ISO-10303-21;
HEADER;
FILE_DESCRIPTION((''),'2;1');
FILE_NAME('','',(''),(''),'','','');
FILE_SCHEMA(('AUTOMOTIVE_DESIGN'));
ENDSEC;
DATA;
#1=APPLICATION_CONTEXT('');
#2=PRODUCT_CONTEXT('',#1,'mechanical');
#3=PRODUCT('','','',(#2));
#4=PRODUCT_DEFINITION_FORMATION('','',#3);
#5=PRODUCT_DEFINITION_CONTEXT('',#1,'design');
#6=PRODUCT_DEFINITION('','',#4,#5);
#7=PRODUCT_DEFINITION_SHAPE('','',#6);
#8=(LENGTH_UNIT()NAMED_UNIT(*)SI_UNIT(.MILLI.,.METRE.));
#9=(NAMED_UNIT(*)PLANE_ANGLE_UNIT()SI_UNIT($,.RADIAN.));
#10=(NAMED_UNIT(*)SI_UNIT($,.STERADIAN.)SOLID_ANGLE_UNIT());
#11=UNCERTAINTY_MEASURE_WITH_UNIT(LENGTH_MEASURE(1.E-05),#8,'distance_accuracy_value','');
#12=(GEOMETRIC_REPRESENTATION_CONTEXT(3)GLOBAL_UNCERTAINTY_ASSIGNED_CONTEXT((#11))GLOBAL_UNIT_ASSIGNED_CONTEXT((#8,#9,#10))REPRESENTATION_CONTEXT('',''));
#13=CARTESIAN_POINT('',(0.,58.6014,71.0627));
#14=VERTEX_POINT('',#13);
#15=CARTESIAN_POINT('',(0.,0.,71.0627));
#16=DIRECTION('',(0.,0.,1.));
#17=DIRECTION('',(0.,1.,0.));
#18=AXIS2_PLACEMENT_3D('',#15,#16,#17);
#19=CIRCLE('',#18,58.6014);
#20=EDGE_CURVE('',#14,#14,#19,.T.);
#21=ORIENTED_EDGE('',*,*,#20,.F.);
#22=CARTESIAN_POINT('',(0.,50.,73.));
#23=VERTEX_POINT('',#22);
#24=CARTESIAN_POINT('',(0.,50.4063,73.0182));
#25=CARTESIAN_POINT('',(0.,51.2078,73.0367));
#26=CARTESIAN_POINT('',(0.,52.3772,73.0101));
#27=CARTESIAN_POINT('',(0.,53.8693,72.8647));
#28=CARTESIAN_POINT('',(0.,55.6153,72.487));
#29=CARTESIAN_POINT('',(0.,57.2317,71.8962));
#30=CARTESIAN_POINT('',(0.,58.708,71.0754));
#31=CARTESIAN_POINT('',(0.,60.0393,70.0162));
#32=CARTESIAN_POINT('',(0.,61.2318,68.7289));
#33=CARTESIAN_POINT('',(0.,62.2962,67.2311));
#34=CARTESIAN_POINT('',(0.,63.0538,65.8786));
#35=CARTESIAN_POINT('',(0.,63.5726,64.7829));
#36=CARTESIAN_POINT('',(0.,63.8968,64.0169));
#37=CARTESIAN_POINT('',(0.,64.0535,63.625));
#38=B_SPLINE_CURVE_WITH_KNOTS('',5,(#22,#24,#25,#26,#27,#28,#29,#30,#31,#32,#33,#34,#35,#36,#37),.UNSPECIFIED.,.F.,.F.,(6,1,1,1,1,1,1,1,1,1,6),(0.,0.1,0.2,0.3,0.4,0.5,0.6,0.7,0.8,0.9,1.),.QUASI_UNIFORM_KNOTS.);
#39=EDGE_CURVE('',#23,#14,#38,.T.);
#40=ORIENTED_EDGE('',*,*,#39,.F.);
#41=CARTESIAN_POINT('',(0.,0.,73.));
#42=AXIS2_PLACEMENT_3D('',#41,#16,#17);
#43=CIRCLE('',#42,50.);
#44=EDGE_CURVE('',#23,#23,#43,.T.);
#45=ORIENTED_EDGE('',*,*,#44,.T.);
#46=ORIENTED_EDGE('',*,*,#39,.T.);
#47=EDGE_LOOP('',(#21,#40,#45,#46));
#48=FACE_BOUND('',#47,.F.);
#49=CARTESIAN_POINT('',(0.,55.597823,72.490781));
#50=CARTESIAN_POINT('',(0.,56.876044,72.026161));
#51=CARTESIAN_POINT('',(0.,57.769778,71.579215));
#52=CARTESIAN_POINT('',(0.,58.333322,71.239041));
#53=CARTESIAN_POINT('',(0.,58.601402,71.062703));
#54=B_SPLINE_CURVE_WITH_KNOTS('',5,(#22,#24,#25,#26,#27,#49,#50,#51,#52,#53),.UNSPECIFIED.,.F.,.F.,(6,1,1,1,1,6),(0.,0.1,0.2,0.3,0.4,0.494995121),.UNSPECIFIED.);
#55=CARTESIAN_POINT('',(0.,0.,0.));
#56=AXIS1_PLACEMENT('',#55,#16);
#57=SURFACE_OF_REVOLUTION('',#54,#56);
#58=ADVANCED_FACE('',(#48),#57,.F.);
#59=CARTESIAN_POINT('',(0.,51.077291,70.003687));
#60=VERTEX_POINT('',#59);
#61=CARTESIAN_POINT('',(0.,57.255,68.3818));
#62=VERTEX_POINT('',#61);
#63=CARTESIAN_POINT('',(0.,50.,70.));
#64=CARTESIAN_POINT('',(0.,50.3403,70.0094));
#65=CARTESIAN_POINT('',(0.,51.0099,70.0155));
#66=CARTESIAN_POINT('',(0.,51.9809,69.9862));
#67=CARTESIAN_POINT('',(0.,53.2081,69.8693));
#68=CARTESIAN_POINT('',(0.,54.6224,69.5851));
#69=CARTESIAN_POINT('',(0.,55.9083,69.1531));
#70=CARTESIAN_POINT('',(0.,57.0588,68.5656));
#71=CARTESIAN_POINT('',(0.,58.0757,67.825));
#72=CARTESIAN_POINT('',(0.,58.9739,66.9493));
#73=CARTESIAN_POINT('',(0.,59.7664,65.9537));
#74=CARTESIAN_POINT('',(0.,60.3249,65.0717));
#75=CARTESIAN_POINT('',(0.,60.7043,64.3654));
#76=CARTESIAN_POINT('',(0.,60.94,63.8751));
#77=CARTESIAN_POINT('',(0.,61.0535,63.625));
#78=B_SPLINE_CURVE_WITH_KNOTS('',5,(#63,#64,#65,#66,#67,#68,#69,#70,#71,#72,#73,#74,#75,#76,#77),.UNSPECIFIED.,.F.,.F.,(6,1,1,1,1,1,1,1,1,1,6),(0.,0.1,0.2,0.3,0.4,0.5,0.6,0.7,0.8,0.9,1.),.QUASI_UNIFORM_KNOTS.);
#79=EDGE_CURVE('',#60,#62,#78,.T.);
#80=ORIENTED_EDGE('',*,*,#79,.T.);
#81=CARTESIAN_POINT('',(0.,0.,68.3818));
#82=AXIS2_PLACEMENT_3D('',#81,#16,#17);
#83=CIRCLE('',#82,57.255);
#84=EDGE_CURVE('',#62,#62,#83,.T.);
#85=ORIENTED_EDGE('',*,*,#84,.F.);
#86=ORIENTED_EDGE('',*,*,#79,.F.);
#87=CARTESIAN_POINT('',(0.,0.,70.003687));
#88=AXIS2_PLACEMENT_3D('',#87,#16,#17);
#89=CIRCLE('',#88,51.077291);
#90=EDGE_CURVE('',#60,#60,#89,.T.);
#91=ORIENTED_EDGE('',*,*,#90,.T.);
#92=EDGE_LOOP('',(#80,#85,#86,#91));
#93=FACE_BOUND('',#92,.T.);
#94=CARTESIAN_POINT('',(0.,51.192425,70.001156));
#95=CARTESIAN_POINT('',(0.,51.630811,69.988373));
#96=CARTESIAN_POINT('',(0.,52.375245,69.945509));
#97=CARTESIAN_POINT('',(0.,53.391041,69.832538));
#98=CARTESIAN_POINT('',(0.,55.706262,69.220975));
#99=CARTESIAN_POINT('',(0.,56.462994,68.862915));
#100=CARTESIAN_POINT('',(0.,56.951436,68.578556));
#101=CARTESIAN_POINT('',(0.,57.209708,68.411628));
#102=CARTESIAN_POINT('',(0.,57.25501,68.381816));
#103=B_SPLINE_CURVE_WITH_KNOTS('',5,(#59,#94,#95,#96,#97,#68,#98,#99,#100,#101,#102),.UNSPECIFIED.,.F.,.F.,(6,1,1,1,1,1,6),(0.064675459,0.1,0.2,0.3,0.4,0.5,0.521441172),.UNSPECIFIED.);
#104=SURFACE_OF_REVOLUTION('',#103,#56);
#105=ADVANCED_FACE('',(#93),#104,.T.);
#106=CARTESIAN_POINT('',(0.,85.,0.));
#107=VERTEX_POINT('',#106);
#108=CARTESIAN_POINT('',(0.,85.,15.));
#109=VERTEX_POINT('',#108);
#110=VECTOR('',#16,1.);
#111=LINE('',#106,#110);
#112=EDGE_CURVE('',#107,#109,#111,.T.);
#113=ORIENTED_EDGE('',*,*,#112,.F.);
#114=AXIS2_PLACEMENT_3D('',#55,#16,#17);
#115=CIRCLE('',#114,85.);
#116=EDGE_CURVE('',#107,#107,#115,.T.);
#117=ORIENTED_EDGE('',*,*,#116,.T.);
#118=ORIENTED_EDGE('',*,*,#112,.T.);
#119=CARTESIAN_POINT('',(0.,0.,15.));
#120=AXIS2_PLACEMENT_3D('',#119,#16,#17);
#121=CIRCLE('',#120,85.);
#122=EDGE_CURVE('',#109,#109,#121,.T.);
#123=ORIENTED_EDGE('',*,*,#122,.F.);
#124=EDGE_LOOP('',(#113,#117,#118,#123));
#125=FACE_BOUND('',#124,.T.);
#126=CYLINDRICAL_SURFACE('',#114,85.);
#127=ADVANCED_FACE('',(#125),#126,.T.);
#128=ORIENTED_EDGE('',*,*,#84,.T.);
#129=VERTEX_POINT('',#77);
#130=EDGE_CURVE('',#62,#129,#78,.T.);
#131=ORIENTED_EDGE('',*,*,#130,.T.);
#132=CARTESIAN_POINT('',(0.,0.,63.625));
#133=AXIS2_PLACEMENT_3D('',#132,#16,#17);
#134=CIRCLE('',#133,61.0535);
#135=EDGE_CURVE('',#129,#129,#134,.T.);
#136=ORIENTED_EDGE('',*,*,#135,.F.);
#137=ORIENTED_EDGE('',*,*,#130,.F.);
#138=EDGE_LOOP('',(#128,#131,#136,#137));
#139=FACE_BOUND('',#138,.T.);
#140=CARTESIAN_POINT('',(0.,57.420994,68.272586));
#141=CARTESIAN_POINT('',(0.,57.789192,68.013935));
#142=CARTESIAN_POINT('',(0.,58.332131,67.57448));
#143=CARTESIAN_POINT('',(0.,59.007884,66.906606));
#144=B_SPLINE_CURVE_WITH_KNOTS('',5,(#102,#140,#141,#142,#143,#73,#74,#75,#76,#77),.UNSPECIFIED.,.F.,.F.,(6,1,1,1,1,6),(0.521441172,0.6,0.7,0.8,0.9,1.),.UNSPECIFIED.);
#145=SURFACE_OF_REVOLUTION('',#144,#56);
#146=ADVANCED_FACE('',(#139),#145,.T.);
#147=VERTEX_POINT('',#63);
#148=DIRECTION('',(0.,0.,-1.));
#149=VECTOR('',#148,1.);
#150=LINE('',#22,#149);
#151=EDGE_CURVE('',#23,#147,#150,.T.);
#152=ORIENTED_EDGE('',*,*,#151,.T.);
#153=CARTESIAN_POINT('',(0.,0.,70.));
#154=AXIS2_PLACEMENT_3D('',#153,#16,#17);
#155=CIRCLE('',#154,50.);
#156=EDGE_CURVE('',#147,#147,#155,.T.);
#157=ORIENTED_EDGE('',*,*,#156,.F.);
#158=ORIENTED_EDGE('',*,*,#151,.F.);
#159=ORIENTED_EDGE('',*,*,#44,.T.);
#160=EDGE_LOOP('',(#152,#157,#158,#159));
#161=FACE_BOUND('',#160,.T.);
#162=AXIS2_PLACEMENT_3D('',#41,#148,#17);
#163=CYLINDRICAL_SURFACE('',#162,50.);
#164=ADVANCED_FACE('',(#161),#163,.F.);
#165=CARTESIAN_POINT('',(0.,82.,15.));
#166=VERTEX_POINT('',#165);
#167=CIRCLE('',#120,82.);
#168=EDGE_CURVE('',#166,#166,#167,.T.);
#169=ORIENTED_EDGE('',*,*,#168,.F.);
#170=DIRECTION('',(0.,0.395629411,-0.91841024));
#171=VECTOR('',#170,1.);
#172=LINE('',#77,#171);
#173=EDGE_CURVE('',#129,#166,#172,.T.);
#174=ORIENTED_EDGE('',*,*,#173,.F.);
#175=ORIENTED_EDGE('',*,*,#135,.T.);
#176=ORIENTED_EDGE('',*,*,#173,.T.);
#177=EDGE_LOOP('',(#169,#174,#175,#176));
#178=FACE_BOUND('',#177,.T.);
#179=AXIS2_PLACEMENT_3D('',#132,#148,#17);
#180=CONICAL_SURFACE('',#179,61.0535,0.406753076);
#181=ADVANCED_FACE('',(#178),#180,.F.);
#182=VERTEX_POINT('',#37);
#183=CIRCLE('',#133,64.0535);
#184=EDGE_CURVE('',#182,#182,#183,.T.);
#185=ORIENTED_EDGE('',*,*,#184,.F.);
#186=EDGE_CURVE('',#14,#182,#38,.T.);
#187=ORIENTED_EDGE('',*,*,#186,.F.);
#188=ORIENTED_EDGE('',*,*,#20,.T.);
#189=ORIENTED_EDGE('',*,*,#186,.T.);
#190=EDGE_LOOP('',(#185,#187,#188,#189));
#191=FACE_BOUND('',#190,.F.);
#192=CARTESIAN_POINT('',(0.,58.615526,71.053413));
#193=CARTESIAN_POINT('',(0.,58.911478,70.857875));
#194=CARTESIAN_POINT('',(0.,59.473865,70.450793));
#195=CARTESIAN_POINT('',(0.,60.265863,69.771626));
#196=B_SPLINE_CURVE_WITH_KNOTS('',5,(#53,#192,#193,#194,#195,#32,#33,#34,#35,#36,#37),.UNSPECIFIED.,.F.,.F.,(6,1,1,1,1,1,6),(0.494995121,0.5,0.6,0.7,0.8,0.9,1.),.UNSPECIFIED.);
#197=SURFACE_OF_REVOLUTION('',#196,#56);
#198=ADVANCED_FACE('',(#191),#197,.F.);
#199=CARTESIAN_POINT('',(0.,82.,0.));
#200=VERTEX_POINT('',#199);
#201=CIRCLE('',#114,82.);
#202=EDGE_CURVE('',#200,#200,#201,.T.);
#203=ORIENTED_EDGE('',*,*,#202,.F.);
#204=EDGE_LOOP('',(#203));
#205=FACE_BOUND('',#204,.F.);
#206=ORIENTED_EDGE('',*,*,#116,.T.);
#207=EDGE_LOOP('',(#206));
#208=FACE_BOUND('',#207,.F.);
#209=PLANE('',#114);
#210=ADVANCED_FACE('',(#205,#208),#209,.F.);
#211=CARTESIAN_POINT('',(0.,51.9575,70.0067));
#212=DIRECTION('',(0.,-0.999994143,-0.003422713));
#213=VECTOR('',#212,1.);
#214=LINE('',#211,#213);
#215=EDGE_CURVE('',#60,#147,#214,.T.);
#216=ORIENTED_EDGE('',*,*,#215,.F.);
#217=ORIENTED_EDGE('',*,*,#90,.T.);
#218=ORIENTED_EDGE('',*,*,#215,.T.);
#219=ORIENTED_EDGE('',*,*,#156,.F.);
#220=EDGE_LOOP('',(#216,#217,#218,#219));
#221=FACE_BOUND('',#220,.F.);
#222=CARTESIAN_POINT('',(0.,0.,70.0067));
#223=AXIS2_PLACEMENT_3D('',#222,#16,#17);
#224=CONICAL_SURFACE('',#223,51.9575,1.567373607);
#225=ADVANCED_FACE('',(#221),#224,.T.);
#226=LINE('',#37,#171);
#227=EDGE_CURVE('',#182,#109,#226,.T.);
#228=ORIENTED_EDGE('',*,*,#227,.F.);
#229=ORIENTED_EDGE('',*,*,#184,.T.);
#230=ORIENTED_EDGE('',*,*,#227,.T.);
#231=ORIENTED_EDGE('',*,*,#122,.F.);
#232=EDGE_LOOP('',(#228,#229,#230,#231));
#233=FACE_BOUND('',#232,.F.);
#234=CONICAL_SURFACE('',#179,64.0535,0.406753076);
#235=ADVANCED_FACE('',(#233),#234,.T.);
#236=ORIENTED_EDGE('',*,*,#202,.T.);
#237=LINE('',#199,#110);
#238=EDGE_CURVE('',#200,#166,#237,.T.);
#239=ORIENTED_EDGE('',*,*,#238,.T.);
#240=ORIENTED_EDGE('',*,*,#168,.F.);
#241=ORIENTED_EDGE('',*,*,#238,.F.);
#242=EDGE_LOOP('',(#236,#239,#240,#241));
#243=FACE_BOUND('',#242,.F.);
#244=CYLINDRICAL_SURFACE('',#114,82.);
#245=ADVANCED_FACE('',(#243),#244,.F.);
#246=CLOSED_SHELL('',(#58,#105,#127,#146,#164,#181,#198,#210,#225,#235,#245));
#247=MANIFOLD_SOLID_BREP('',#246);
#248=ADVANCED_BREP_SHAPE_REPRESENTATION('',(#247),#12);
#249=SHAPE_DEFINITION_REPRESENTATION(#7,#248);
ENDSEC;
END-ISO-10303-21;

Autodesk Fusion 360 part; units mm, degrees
sketch "Sketch1" plane through (0, 0, 0) normal (1, 0, 0) x (0, 1, 0)
  line L0 (85, 0) -> (85, 15)
  line L1 (85, 0) -> (82, 0)
  line L2 (82, 0) -> (82, 15)
  line L3 (0, 0) -> (0, 73)
  line L4 (50, 73) -> (50, 70)
  spline S0 degree 5 poles (50, 73) (50.4063, 73.0182) (51.2078, 73.0367) (52.3772, 73.0101) (53.8693, 72.8647) (55.6153, 72.487) (57.2317, 71.8962) (58.708, 71.0754) (60.0393, 70.0162) (61.2318, 68.7289) (62.2962, 67.2311) (63.0538, 65.8786) (63.5726, 64.7829) (63.8968, 64.0169) (64.0535, 63.625) knots 0 0 0 0 0 0 0.1 0.2 0.3 0.4 0.5 0.6 0.7 0.8 0.9 1 1 1 1 1 1
  line L5 (61.0535, 63.625) -> (82, 15)
  line L6 (51.9575, 70.0067) -> (50, 70)
  spline S1 degree 5 poles (50, 70) (50.3403, 70.0094) (51.0099, 70.0155) (51.9809, 69.9862) (53.2081, 69.8693) (54.6224, 69.5851) (55.9083, 69.1531) (57.0588, 68.5656) (58.0757, 67.825) (58.9739, 66.9493) (59.7664, 65.9537) (60.3249, 65.0717) (60.7043, 64.3654) (60.94, 63.8751) (61.0535, 63.625) knots 0 0 0 0 0 0 0.1 0.2 0.3 0.4 0.5 0.6 0.7 0.8 0.9 1 1 1 1 1 1
  line L7 (58.6014, 71.0627) -> (57.255, 68.3818)
  line L8 (55.9864, 69.2167) -> (58.5237, 67.5469)
  line L9 (64.0535, 63.625) -> (85, 15)
  line L10 (61.0535, 63.625) -> (64.0535, 63.625)
  point P0 (58.6014, 71.0627)
  point P1 (57.255, 68.3818)
  dimension "d21" = 3
  dimension "d23" = 15
  dimension "d24" = 85
  dimension "d38" = 73
  dimension "d41" = 3
  dimension "d46" = 3
  dimension "d48" = 3
sketch "Sketch2" plane through (0, 0, 0) normal (0, 0, 1) x (1, 0, 0)
revolve "Revolve3" add sketch "Sketch1" angle 360 about axis through (0, 0, 0) along (0, 0, 1)
